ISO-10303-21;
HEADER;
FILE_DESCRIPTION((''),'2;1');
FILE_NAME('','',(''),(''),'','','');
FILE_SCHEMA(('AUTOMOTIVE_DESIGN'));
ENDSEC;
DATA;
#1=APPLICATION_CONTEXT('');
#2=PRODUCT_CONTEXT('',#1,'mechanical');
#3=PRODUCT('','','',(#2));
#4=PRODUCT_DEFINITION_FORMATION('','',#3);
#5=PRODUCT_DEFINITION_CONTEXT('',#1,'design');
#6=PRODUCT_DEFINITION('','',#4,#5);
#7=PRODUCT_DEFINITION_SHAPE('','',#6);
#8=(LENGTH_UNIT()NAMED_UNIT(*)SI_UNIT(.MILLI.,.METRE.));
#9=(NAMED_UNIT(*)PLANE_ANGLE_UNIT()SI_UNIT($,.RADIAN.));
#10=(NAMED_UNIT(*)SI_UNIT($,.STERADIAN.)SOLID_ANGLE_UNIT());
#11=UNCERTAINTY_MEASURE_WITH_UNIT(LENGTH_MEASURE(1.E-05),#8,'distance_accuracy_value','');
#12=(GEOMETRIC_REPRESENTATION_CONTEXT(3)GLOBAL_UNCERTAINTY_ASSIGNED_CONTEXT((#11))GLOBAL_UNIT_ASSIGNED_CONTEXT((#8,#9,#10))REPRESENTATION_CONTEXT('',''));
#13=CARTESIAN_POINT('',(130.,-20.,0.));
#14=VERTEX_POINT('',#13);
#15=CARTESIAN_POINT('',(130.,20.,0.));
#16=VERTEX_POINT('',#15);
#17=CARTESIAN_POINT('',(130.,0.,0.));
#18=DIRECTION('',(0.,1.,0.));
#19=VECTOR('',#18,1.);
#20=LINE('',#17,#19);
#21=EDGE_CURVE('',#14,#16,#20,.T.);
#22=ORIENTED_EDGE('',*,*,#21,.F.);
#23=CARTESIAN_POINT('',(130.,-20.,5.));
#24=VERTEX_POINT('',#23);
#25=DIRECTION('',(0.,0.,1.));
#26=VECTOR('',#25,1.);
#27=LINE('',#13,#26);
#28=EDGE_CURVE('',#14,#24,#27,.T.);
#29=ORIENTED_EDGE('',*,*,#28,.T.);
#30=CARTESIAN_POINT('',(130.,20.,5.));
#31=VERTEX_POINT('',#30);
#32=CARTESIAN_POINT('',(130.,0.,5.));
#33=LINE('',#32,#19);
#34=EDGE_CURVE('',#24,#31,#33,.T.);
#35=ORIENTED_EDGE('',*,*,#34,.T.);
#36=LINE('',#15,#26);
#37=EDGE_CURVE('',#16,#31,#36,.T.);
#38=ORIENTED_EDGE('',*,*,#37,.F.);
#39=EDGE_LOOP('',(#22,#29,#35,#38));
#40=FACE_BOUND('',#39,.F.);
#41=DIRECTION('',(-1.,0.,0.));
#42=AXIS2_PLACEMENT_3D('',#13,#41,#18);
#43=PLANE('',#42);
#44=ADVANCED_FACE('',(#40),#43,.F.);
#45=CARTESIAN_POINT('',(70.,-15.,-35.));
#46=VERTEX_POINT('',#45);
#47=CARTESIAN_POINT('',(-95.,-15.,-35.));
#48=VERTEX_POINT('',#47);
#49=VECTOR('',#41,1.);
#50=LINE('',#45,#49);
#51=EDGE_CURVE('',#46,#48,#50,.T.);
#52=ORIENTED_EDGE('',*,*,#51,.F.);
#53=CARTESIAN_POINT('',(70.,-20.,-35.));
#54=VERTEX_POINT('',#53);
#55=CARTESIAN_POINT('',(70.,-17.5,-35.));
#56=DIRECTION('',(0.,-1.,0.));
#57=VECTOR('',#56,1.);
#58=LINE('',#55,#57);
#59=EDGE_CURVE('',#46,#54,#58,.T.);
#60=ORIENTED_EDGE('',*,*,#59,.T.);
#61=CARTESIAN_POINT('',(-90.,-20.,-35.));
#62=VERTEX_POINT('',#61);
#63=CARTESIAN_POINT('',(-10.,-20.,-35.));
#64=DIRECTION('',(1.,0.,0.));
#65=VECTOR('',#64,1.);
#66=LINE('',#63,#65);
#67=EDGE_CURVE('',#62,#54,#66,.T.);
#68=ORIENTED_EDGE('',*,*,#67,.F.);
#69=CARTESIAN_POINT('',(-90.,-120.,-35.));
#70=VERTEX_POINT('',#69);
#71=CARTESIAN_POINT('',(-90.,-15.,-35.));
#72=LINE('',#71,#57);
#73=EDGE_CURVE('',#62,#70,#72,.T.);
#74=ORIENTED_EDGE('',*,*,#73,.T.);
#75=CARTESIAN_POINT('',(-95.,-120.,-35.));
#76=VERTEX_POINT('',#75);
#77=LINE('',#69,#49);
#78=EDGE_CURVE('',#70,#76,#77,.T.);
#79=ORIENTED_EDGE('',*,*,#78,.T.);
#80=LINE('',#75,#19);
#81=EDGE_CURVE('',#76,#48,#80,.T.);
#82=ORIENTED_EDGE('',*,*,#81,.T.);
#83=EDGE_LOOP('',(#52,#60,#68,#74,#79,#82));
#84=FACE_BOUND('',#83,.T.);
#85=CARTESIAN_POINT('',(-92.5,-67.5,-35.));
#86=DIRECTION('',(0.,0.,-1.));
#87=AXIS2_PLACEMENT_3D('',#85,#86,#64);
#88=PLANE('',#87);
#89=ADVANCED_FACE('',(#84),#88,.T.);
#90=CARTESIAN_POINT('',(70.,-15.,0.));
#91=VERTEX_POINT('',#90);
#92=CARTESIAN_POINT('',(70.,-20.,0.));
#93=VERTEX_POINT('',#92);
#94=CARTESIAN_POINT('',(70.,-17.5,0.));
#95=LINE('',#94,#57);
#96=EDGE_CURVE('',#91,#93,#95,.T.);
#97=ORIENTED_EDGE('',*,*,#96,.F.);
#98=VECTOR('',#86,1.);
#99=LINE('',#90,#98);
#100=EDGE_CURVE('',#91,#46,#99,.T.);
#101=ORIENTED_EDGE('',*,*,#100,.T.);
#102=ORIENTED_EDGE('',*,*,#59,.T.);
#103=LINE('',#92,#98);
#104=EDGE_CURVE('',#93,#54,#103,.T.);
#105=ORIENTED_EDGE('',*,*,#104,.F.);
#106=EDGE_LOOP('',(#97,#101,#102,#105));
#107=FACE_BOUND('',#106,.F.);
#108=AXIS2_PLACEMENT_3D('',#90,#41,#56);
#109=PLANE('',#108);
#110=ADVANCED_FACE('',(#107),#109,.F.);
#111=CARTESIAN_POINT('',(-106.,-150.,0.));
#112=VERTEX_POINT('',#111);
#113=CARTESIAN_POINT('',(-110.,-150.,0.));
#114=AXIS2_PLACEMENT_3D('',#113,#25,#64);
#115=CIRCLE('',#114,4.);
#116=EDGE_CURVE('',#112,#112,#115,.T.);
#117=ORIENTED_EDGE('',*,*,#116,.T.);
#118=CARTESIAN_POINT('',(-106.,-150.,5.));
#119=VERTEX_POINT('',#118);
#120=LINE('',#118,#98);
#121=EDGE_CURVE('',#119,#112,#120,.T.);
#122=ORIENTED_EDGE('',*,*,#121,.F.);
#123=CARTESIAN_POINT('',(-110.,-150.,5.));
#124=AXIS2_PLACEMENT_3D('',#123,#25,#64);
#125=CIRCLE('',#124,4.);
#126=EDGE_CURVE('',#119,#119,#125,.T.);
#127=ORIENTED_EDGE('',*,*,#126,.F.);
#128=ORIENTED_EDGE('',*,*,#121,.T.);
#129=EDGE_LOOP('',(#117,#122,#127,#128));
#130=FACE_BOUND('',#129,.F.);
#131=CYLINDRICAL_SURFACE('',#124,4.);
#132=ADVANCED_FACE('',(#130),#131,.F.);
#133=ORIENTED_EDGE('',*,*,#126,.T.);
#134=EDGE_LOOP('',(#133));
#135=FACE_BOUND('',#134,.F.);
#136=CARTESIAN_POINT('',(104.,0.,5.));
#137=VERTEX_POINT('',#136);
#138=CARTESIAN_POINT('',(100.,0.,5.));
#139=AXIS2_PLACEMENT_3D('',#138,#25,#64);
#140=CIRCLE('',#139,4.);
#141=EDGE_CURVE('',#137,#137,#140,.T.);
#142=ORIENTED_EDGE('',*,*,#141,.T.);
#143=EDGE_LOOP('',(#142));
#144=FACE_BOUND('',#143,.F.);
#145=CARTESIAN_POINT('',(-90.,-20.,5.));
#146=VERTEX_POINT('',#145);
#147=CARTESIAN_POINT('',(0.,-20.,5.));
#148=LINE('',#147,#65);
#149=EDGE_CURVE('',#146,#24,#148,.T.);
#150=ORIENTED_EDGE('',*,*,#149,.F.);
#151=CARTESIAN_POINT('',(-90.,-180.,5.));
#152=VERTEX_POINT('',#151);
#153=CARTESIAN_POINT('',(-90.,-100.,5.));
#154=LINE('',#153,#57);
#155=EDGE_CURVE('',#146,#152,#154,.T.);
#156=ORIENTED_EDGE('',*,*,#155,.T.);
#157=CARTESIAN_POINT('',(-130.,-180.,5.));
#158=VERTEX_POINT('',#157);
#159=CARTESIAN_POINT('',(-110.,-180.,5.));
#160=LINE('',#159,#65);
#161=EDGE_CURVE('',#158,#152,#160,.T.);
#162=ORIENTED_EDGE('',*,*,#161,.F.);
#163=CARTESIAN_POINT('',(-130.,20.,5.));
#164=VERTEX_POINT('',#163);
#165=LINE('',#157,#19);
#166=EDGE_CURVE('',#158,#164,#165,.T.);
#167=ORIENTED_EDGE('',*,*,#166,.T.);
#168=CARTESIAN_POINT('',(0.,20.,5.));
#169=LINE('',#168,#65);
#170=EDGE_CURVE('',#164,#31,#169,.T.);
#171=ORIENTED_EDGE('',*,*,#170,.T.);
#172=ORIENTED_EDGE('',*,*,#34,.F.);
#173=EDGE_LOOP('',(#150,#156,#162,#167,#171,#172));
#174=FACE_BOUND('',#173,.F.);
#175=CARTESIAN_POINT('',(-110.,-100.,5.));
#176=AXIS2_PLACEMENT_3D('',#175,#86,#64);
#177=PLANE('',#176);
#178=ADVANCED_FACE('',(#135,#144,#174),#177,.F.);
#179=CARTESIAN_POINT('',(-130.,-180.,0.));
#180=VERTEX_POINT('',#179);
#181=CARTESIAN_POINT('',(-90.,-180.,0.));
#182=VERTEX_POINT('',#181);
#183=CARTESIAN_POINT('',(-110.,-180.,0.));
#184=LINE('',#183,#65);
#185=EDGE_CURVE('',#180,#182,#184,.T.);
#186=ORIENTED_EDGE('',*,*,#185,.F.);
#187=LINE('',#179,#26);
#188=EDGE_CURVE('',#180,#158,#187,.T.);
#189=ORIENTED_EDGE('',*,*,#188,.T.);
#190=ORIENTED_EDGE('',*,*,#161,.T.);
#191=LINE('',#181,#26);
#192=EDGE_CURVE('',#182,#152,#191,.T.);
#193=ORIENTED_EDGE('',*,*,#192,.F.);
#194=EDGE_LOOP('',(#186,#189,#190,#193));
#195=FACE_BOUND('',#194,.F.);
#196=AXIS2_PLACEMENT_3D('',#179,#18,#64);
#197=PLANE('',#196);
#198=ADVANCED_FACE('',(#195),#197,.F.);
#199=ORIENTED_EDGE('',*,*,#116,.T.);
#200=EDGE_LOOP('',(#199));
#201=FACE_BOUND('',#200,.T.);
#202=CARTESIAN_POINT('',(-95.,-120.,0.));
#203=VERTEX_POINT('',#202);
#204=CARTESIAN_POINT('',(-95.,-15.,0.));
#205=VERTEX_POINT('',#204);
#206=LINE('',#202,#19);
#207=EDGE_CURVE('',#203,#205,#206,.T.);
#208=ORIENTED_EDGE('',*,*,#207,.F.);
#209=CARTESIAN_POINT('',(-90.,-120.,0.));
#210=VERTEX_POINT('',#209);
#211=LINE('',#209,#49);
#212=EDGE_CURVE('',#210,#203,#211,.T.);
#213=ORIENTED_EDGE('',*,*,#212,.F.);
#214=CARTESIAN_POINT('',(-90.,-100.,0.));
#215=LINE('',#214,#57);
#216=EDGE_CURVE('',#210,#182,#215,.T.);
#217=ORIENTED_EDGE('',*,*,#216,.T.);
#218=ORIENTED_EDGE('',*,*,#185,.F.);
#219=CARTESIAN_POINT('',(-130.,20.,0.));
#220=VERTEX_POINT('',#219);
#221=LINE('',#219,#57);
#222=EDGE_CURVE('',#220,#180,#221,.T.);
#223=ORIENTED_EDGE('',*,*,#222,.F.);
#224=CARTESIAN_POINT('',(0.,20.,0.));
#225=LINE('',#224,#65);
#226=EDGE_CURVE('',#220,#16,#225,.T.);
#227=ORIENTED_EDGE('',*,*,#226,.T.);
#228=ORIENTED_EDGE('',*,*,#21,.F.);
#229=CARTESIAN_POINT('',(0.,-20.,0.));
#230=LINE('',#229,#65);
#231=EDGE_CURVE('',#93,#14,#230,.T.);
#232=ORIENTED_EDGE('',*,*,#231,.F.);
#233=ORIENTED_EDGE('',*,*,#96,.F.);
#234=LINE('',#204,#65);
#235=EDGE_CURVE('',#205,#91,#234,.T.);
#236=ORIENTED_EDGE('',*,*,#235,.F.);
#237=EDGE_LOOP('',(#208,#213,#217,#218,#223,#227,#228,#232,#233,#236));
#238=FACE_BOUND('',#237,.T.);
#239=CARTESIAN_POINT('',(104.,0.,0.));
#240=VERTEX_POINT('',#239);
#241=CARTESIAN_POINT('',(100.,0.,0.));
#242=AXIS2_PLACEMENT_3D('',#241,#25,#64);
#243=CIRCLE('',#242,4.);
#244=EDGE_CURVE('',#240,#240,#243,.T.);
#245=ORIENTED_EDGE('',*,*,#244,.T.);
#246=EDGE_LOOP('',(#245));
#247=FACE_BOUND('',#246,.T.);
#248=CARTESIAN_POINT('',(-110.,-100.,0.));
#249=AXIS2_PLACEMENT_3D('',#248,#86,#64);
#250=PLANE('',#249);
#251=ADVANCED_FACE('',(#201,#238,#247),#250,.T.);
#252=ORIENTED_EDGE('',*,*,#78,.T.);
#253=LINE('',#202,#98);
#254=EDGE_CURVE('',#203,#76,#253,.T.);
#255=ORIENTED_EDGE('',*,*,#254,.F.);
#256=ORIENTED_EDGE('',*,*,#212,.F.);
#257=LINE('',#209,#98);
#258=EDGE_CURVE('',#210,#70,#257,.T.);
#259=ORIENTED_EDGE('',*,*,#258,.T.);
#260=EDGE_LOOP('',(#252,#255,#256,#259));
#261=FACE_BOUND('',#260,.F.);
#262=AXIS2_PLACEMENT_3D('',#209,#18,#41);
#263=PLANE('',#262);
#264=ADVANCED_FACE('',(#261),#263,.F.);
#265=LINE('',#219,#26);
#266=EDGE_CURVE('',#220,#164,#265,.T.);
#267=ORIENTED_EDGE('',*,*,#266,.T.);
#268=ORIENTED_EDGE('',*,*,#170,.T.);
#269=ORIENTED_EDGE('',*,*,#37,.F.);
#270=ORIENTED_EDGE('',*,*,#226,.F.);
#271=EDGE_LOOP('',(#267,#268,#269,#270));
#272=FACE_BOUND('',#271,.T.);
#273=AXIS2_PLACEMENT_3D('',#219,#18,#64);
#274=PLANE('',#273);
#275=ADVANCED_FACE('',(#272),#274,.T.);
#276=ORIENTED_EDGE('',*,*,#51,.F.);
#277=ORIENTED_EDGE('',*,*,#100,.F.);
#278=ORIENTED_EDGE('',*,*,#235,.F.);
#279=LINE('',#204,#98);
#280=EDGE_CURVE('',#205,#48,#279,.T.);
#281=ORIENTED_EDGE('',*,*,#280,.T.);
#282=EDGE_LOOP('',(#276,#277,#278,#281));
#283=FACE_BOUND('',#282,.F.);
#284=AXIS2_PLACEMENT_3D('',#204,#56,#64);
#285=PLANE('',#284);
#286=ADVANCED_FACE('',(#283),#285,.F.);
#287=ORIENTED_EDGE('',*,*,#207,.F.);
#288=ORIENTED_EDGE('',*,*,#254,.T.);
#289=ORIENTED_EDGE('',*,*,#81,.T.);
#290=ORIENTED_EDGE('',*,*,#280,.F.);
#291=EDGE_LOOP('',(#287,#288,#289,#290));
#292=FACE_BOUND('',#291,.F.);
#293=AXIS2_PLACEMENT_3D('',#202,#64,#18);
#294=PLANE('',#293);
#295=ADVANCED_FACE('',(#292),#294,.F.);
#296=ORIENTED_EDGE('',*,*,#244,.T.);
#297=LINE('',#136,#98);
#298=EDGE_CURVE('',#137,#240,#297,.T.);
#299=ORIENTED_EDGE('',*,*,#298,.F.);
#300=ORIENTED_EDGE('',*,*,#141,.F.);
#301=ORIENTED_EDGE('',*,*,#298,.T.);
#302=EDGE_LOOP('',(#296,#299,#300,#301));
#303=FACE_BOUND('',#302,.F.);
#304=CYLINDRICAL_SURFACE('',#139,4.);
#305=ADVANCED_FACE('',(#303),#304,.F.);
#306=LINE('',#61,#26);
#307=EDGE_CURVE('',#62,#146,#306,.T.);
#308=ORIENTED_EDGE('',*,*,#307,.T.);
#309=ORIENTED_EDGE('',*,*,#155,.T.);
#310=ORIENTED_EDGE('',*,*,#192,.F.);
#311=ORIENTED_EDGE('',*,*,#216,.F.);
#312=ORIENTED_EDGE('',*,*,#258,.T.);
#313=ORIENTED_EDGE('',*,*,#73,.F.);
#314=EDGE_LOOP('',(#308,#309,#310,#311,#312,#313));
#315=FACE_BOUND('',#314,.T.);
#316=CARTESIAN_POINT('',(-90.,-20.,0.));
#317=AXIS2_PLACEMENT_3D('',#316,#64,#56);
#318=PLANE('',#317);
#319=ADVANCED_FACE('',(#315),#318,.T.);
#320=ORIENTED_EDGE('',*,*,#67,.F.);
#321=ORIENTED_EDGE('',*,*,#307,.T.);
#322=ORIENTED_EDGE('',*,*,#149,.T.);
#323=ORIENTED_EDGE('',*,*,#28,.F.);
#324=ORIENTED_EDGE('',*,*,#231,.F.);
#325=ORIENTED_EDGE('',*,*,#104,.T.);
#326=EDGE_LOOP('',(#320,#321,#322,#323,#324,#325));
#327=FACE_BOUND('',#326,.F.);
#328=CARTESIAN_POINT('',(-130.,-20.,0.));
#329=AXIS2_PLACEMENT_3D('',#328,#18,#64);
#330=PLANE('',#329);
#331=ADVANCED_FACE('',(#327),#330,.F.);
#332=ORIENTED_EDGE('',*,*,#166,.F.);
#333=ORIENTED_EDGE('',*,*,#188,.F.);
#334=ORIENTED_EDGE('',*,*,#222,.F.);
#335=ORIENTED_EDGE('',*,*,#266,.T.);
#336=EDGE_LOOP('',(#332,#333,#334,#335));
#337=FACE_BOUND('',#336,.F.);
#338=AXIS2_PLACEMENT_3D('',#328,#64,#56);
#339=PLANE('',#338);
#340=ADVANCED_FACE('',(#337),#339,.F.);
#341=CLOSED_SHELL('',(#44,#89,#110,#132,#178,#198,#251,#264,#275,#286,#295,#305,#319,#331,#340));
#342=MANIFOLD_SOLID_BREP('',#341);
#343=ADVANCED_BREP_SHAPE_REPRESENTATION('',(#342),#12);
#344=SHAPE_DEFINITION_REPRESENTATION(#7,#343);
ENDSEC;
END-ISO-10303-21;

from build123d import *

# Parameters (mm, degrees)
F0_W     = 260
F0_H     = 40
F1_DEPTH = 5
F2_W     = 160
F2_H     = 5
F3_DEPTH = 35
F4_W     = 40
F4_H     = 160
F5_DEPTH = 5
F7_DEPTH = 35
F8_R     = 4
F9_DEPTH = 25


with BuildPart() as f1:
    # F0 (on Top) → F1 (new body)
    with BuildSketch(Plane.XY):
        Rectangle(F0_W, F0_H)
    extrude(amount=F1_DEPTH)

    # F2 (on face) → F3 (join)
    with BuildSketch(Plane(origin=(0, 0, 0), x_dir=(1, 0, 0), z_dir=(0, 0, -1))):
        with Locations((-10, 17.5)):
            Rectangle(F2_W, F2_H)
    extrude(amount=F3_DEPTH)

    # F4 (on face) → F5 (join)
    with BuildSketch(Plane(origin=(0, 0, 0), x_dir=(1, 0, 0), z_dir=(0, 0, -1))):
        with Locations((-110, 100)):
            Rectangle(F4_W, F4_H)
    extrude(amount=-F5_DEPTH)

    # F6 (on face) → F7 (join)
    with BuildSketch(Plane(origin=(0, 0, 0), x_dir=(1, 0, 0), z_dir=(0, 0, -1))):
        Polygon((-95, 15), (-90, 15), (-90, 20), (-90, 120), (-95, 120), align=None)
    extrude(amount=F7_DEPTH)

    # F8 (on face) → F9 (cut)
    with BuildSketch(Plane.XY.offset(5)):
        with Locations((-110, -150)):
            Circle(F8_R)
        with Locations((100, 0)):
            Circle(F8_R)
    extrude(amount=-F9_DEPTH, mode=Mode.SUBTRACT)


solid = f1.part
